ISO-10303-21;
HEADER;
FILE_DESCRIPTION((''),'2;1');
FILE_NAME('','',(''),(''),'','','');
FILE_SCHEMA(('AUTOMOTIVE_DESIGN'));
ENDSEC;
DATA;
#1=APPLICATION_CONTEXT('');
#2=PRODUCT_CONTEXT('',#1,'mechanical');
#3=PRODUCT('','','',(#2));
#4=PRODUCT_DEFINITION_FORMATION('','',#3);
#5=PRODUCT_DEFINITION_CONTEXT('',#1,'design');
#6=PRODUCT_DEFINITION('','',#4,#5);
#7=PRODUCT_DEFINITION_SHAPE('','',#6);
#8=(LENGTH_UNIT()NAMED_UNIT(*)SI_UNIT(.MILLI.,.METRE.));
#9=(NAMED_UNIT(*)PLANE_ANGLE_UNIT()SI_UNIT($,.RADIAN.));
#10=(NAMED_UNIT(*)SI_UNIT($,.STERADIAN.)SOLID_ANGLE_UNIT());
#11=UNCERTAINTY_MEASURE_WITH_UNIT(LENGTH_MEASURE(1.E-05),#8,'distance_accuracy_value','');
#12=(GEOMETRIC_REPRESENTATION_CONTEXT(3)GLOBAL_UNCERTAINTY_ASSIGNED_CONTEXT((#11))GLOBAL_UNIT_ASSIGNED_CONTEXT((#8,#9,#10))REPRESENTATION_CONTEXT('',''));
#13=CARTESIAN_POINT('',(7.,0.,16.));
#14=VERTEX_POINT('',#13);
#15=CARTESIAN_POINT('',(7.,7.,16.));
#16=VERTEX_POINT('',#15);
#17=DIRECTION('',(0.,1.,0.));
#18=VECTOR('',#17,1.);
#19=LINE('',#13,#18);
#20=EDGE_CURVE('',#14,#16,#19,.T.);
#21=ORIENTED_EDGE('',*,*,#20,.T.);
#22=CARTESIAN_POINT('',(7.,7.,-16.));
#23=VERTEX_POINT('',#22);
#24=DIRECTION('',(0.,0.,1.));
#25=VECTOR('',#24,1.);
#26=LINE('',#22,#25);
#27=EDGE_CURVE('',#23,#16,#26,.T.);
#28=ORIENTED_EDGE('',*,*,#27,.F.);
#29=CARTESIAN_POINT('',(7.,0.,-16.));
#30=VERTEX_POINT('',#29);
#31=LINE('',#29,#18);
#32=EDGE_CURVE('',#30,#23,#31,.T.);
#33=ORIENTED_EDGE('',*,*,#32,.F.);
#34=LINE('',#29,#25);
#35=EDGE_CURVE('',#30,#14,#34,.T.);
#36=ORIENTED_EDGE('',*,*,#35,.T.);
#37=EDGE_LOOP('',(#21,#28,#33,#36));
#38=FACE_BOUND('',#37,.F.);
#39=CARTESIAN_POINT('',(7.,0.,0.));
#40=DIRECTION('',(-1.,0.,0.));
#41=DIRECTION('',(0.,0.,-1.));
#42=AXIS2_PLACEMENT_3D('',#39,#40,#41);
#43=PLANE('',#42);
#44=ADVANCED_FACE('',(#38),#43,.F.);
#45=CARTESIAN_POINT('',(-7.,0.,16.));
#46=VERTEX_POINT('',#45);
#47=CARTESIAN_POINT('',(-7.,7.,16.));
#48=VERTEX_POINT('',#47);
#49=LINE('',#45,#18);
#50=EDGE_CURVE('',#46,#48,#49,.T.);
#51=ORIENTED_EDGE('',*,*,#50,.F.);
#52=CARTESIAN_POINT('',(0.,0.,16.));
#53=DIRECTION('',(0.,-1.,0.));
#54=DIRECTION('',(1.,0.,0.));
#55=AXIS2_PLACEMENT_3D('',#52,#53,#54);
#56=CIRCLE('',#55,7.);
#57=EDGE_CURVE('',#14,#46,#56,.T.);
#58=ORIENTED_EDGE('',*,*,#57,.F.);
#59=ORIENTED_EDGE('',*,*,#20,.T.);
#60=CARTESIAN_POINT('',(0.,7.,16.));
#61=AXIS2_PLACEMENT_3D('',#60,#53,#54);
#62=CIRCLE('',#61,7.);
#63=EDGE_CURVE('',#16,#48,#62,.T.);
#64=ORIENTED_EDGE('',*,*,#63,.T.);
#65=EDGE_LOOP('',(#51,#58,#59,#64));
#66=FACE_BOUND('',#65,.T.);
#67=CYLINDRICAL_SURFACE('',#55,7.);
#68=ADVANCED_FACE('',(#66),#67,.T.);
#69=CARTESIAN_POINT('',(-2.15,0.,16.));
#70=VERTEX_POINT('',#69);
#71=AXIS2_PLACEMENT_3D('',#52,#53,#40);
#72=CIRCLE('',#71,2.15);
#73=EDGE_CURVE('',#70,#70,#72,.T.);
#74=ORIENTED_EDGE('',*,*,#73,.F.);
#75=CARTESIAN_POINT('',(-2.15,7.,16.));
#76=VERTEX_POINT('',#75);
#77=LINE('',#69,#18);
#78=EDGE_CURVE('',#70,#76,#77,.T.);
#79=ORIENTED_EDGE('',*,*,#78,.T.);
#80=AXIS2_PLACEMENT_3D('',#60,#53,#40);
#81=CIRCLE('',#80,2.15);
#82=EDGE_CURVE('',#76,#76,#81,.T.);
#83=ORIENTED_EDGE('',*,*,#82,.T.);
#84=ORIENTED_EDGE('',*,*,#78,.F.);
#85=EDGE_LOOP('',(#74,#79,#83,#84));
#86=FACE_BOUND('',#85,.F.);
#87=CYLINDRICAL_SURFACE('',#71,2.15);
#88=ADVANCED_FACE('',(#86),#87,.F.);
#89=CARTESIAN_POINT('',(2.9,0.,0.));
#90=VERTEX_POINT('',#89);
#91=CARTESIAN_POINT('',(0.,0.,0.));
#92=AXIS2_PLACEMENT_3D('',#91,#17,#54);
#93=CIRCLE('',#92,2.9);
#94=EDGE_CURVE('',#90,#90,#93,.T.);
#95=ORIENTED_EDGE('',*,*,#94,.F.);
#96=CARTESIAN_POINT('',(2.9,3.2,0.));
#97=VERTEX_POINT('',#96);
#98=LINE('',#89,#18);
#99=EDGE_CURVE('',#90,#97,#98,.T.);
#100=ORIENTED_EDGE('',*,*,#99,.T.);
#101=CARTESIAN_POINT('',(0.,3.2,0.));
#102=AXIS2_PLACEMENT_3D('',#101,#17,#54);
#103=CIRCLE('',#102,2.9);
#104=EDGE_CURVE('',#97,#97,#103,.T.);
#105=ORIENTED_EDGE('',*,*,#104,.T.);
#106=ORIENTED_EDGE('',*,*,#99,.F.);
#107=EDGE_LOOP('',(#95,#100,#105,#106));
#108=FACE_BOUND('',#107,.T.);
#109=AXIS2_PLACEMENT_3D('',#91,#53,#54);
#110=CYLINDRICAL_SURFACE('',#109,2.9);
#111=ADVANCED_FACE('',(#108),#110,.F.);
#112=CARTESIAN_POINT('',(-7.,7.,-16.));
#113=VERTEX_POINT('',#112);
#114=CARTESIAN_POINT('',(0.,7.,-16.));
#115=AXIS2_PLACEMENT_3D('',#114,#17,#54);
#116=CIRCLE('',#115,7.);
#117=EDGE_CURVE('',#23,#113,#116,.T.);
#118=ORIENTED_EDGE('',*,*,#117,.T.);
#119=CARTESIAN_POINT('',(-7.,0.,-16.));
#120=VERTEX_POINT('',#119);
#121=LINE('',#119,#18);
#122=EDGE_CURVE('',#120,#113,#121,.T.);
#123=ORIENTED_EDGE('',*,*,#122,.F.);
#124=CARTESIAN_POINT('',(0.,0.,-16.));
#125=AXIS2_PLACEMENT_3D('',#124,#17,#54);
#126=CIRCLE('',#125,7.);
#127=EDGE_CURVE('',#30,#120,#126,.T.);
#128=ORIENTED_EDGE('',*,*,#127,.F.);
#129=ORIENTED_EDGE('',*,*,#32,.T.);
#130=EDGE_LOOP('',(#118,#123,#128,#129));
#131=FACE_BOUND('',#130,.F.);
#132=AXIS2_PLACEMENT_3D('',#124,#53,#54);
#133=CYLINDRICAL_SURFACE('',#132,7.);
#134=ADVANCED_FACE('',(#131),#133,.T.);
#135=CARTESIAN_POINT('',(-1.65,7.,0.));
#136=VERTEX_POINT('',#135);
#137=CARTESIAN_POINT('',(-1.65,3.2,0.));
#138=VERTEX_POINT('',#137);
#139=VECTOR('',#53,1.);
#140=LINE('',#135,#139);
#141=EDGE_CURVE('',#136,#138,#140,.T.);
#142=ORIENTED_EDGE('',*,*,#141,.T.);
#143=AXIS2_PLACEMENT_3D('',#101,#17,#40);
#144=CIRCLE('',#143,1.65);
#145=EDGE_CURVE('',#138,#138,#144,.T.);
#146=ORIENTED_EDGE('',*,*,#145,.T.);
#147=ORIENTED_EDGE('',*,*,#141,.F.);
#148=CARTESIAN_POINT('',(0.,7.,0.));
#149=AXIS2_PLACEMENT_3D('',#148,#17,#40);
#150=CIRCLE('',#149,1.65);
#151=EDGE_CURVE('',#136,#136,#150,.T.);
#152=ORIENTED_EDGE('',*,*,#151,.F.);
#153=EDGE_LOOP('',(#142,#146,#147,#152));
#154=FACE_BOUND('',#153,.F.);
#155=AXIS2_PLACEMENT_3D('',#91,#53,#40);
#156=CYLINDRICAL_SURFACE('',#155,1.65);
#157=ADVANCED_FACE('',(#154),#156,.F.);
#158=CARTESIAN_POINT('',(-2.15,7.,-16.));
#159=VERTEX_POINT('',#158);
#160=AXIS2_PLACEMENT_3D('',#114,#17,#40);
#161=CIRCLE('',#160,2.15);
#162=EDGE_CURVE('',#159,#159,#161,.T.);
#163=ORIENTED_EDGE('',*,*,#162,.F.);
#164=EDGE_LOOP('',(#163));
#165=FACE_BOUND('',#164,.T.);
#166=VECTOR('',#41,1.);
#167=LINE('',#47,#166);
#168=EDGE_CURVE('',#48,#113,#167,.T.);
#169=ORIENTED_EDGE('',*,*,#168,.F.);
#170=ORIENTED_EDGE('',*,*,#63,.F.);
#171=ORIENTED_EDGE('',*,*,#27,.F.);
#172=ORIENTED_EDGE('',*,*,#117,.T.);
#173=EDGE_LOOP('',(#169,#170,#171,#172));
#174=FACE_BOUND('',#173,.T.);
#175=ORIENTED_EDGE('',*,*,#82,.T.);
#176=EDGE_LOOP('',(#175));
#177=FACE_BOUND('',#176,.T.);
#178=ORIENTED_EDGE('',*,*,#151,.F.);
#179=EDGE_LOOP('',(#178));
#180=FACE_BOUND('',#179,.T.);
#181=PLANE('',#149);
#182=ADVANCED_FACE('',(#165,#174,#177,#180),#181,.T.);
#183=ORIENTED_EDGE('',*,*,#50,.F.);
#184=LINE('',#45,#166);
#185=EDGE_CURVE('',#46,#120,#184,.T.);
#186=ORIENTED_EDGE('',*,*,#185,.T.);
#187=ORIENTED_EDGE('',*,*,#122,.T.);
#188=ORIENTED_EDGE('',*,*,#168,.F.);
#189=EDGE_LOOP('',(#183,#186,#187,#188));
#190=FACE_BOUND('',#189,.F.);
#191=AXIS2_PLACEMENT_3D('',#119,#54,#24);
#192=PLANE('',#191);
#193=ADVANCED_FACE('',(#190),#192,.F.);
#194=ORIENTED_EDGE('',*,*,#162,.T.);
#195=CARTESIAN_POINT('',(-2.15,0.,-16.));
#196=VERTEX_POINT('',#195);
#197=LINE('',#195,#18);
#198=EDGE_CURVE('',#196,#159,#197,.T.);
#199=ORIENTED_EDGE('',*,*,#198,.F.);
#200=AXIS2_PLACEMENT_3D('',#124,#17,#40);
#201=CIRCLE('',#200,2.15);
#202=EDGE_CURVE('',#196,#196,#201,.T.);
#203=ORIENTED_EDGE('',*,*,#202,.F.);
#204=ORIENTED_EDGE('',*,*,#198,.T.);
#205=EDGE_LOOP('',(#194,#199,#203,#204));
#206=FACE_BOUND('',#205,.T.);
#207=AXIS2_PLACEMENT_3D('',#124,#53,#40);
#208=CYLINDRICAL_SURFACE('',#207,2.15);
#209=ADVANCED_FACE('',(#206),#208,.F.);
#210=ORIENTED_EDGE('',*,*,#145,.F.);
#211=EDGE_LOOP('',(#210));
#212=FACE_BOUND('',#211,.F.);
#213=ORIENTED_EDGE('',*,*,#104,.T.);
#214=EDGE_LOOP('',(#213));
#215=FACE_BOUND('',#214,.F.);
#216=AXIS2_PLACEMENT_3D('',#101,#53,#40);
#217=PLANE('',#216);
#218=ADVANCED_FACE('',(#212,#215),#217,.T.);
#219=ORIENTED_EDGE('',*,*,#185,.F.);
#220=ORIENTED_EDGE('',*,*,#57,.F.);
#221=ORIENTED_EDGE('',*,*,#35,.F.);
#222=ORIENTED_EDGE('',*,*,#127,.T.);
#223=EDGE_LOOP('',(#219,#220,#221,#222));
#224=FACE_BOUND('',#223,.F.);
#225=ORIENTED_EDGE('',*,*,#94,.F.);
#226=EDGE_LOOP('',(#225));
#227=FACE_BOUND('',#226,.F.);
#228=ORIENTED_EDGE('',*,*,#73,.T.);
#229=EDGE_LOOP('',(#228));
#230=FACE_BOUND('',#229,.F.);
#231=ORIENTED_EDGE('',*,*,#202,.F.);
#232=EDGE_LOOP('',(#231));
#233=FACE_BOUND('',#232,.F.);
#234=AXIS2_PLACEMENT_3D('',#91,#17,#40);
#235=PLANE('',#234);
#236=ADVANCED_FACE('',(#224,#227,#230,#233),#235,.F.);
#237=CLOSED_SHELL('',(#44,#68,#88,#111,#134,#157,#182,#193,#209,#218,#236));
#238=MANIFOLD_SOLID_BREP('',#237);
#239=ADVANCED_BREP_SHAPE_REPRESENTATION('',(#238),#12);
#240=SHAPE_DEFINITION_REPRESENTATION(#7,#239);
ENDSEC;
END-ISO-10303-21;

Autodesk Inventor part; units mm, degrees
ref_plane "YZ Plane" through (0, 0, 0) normal (1, 0, 0) x (0, 1, 0)
ref_plane "XZ Plane" through (0, 0, 0) normal (0, 1, 0) x (-1, 0, 0)
ref_plane "XY Plane" through (0, 0, 0) normal (0, 0, 1) x (1, 0, 0)
sketch "Sketch1" plane through (0, 0, 0) normal (0, 1, 0) x (-1, 0, 0)
  circle A0 centre (0, 0) radius 1.65
  line L0 (0, 0) -> (0, -16) construction
  line L1 (-7, 0) -> (-7, -16)
  line L2 (7, -16) -> (7, 0)
  arc A1 (7, 0) -> (-7, 0) centre (0, 0) ccw
  arc A2 (-7, -16) -> (7, -16) centre (0, -16) ccw
  circle A3 centre (0, -16) radius 2.15
  point P0 (0, -8)
  dimension "d0" = 3.3
  dimension "d1" = 16
  dimension "d2" = 14
  dimension "d3" = 4.3
extrude "Extrusion1" add sketch "Sketch1" along normal blind 7
sketch "Sketch2" plane through (0, 0, 0) normal (0, -1, 0) x (1, 0, 0)
  circle A0 centre (0, 0) radius 1.65 projected
  circle A1 centre (0, 0) radius 2.9
  dimension "d6" = 5.8
extrude "Extrusion2" cut sketch "Sketch2" against normal blind 3.2
mirror "Mirror1" about plane through (0, 0, 0) normal (0, 0, 1) of "Extrusion1", "Extrusion2"
ref_plane "Work Plane1" through (0, 0, 0) normal (0, 0, 1) x (1, 0, 0)
properties part number "futek-holder"
